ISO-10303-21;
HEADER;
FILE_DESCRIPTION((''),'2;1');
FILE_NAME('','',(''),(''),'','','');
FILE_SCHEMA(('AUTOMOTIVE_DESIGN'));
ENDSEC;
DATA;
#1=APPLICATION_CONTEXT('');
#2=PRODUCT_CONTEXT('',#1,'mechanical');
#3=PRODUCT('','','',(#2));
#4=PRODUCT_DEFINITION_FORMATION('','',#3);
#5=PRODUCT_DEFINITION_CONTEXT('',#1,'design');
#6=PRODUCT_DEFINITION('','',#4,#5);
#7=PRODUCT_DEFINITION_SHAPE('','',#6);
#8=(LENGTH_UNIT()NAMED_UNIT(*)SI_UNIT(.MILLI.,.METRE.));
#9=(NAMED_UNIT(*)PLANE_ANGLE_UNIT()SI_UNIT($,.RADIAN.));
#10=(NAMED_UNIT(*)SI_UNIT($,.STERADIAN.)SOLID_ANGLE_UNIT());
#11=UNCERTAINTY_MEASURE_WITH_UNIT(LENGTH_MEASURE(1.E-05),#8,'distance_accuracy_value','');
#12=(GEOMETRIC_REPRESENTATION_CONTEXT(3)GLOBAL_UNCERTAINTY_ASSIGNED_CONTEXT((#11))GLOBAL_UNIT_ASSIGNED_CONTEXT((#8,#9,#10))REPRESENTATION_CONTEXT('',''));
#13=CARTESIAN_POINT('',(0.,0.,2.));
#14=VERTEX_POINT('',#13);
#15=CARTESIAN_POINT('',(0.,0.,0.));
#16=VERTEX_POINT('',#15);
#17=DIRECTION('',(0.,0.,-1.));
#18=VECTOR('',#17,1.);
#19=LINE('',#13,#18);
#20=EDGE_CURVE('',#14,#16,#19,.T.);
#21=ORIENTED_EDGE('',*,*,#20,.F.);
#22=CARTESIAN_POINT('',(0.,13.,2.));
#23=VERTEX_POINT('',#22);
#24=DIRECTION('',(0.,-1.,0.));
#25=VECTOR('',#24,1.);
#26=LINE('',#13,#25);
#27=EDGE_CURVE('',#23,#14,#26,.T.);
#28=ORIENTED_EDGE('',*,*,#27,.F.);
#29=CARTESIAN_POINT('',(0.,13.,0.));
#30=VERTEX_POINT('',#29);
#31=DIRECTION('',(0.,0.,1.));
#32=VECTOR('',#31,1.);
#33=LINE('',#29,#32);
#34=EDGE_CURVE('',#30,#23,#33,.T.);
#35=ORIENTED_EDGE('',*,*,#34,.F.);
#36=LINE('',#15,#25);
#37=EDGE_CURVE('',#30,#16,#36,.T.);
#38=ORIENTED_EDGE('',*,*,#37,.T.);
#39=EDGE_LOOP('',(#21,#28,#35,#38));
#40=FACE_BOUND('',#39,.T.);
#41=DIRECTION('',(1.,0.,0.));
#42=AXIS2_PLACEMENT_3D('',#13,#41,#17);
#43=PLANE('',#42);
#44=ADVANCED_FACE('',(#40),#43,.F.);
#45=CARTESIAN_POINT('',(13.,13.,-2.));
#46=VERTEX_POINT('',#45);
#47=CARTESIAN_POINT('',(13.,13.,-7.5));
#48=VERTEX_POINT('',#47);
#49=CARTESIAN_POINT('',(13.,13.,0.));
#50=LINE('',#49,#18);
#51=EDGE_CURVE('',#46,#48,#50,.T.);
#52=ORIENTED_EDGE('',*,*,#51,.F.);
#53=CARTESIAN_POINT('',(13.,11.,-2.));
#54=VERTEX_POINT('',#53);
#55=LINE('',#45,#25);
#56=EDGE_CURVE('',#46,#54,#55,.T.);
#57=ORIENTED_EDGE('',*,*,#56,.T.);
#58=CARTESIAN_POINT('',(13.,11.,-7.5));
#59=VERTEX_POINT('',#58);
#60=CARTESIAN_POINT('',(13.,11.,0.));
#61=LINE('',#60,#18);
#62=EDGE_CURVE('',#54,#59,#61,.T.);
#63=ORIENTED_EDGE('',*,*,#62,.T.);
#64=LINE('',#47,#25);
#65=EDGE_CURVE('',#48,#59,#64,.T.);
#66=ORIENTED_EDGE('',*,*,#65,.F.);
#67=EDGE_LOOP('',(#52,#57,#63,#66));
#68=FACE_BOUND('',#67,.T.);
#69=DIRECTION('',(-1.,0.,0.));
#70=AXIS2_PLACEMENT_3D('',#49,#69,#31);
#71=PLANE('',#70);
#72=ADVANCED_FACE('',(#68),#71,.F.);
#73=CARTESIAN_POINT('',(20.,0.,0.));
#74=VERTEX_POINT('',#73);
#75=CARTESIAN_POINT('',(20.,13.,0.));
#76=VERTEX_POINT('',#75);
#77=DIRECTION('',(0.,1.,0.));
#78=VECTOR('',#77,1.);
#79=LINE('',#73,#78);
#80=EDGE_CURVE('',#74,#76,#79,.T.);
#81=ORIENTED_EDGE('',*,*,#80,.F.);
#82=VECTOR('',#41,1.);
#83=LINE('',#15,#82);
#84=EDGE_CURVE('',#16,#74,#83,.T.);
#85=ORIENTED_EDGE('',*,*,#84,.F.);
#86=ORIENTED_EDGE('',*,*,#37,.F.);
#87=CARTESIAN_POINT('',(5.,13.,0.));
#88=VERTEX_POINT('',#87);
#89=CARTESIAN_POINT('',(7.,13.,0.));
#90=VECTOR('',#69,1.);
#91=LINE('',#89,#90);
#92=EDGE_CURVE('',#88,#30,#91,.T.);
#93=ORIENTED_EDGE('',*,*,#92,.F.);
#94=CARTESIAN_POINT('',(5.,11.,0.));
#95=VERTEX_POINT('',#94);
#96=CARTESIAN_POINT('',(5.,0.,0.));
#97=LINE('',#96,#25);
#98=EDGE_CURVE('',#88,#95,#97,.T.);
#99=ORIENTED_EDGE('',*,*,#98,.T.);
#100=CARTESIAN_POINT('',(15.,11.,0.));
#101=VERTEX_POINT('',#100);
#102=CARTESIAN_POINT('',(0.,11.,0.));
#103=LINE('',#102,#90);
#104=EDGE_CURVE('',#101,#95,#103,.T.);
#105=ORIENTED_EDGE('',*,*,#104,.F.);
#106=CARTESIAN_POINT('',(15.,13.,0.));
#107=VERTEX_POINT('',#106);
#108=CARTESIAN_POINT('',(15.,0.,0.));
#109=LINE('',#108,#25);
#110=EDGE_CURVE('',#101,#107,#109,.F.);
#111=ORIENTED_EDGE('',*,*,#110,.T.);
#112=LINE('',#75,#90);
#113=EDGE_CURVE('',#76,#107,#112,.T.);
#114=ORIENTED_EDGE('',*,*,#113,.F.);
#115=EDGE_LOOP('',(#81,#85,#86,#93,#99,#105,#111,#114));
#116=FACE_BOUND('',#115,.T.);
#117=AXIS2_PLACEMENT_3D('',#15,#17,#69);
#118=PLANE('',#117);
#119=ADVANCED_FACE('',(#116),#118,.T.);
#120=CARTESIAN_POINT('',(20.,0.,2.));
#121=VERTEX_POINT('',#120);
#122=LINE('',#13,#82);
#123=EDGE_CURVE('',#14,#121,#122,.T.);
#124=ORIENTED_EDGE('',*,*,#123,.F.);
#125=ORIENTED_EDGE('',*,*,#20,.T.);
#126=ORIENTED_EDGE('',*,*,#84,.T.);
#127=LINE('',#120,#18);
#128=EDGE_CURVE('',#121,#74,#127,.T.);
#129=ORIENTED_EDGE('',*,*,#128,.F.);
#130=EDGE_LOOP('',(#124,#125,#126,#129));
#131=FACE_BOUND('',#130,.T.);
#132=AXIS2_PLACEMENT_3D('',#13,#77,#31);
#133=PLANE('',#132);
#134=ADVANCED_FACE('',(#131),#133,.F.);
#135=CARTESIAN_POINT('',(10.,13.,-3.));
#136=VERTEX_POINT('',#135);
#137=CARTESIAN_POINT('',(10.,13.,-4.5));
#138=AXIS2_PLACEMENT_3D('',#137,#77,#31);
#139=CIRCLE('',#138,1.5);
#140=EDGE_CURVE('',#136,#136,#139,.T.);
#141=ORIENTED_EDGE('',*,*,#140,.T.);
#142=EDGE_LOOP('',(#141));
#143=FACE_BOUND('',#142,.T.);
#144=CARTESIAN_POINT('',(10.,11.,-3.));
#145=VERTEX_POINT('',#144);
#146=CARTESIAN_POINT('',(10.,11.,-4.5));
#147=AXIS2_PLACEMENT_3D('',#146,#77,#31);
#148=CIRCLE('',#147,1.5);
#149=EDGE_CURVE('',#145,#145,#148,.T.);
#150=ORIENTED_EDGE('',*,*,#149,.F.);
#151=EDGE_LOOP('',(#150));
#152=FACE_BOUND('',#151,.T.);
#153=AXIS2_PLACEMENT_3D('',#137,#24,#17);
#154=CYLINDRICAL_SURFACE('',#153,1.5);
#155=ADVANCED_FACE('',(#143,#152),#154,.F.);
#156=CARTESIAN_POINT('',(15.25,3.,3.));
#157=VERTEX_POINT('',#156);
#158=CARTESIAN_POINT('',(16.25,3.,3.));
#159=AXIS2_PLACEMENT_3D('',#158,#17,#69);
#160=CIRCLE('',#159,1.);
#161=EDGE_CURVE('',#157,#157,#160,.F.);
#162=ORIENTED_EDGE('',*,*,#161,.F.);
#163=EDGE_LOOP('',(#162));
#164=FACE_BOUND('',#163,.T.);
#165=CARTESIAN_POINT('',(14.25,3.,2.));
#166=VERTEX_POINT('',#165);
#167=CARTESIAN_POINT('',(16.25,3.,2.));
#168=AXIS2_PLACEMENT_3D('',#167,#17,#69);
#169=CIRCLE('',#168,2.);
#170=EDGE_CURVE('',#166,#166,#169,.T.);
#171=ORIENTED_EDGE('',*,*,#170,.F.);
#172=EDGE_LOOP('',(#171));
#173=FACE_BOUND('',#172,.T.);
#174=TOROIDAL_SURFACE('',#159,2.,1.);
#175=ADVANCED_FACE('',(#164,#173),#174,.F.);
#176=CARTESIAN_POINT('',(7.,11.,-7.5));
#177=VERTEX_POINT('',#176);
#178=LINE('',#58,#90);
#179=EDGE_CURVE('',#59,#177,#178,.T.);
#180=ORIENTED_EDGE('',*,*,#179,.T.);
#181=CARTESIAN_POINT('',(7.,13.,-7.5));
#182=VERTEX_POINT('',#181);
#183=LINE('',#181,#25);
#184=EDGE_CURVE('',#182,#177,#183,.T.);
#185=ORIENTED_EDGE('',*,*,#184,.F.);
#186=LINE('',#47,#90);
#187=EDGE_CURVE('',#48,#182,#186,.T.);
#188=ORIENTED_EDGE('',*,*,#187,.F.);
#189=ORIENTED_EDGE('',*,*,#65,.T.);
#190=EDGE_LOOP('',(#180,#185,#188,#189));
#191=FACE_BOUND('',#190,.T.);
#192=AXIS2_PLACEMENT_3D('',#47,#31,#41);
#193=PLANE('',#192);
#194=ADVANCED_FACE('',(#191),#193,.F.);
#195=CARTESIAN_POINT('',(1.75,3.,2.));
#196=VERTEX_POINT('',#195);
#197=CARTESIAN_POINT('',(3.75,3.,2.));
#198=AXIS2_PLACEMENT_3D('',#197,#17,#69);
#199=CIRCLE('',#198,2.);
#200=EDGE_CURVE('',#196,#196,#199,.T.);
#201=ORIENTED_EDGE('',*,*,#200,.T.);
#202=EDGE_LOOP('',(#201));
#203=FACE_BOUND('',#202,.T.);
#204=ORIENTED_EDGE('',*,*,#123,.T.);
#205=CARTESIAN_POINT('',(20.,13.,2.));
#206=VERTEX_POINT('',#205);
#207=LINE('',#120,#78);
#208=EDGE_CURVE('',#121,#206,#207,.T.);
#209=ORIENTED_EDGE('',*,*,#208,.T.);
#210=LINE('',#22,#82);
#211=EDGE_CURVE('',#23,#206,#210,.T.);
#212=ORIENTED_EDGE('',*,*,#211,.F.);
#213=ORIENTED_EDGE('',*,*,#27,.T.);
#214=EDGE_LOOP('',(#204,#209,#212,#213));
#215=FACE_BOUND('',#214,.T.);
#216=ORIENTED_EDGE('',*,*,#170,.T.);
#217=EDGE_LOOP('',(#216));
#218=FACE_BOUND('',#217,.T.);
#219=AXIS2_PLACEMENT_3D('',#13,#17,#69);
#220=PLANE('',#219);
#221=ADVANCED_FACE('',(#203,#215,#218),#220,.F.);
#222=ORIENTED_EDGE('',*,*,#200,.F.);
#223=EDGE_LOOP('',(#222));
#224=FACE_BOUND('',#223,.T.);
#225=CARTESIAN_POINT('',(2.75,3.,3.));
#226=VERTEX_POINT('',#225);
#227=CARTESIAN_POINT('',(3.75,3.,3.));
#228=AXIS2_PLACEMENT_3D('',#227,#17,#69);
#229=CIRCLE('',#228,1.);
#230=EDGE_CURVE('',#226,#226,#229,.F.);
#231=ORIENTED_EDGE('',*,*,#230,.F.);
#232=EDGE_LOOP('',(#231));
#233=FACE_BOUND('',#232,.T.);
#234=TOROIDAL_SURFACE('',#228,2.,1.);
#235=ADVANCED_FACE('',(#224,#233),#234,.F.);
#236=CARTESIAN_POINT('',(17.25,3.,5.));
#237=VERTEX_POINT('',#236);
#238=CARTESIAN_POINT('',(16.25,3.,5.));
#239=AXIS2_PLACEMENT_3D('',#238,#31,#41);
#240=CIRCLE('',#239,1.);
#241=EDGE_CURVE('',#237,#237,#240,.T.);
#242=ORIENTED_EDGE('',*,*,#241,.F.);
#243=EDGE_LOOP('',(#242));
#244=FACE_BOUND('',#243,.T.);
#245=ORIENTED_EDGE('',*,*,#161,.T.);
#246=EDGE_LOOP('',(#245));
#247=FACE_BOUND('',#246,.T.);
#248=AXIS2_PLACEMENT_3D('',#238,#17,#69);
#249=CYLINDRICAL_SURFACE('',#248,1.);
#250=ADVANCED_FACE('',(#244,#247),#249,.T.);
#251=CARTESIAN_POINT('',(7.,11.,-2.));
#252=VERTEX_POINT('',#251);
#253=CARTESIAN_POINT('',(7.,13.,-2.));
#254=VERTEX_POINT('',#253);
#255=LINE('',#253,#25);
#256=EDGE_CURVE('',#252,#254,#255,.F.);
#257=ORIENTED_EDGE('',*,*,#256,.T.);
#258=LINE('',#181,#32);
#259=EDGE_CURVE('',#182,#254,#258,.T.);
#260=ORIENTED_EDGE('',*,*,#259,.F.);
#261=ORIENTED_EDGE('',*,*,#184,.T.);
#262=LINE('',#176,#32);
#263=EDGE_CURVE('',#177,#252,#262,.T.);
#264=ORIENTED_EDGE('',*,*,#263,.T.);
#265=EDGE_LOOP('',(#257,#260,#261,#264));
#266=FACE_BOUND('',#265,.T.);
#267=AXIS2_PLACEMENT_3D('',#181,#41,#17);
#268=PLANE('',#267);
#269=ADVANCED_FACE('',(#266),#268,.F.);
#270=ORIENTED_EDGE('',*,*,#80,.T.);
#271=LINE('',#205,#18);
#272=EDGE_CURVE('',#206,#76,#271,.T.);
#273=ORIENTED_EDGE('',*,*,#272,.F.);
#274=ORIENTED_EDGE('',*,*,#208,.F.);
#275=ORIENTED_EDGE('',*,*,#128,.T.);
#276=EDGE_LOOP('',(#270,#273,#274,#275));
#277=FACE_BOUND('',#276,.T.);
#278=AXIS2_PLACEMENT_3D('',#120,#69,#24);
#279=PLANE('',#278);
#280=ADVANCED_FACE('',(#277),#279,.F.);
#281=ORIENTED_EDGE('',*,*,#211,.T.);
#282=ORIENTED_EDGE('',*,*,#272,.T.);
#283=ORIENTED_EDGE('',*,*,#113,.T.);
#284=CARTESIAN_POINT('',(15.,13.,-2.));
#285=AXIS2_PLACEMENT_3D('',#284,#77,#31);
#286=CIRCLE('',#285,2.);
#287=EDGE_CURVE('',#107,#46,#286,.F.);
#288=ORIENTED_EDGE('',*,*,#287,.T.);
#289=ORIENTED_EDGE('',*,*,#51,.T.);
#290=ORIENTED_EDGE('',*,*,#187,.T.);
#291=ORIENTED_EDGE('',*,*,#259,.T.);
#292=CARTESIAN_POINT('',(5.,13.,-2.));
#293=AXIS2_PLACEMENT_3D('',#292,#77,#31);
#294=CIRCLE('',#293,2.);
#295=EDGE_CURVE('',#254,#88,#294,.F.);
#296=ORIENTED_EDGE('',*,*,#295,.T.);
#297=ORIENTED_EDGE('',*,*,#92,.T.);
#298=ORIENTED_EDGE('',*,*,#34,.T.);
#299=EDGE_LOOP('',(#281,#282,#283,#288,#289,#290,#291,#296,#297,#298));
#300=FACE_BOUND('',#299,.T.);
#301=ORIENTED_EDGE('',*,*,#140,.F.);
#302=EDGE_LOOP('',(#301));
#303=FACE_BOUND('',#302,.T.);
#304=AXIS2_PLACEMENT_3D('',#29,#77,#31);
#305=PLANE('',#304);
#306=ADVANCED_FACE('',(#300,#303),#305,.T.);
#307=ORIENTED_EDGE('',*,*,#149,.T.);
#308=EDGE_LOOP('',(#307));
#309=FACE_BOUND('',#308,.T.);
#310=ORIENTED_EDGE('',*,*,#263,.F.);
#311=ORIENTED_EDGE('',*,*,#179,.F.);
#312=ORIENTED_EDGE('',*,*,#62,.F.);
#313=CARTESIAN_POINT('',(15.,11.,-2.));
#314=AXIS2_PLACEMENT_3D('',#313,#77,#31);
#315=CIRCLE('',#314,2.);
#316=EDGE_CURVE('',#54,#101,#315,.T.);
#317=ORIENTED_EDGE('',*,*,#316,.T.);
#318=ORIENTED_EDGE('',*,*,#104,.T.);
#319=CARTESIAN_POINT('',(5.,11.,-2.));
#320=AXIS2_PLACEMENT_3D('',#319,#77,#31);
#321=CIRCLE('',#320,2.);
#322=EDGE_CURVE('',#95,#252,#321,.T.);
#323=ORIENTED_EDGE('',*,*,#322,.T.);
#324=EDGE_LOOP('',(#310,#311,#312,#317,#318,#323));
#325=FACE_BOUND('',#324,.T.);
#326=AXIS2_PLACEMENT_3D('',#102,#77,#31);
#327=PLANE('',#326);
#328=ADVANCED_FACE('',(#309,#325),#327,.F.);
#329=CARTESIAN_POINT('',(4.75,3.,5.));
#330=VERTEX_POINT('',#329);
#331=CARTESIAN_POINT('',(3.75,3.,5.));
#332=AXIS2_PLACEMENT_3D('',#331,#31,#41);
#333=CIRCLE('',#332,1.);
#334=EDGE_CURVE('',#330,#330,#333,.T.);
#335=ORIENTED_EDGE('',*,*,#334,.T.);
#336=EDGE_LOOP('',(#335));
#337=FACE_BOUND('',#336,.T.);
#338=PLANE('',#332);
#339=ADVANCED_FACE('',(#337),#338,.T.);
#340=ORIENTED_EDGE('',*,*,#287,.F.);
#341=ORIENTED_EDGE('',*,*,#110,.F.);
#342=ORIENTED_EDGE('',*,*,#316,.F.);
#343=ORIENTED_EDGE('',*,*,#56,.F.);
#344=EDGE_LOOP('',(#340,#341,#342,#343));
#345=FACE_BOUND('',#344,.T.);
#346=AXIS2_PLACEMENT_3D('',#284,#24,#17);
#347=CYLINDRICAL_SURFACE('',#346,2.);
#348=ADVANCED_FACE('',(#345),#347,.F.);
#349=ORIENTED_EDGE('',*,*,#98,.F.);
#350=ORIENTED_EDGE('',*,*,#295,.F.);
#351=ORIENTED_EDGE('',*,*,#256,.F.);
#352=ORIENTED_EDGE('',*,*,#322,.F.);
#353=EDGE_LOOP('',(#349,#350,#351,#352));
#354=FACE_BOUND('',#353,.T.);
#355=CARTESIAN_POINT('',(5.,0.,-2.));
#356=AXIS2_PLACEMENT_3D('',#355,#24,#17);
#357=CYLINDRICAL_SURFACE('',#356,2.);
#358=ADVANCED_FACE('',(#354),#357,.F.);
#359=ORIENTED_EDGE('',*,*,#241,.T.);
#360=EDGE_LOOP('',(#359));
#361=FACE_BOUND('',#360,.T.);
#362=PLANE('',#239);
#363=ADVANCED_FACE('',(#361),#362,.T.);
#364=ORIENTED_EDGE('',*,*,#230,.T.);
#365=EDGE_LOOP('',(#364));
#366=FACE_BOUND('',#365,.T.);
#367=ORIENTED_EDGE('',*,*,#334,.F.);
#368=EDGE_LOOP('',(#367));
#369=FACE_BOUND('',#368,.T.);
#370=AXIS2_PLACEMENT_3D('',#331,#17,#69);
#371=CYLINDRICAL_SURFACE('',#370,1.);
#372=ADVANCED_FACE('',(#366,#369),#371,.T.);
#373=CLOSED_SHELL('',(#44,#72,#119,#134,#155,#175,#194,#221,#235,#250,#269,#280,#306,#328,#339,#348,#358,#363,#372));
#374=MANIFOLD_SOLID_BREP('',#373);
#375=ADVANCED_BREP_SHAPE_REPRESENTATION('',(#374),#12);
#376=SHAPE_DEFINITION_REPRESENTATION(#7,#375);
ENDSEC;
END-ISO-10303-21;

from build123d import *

# Parameters (mm, degrees)
ESQUISSE1_W        = 20
ESQUISSE1_H        = 11
BOSS_EXTRU_1_DEPTH = 2
ESQUISSE2_R        = 1
BOSS_EXTRU_2_DEPTH = 3
CONG_1_R           = 1
ESQUISSE3_R        = 1.5
BOSS_EXTRU_3_DEPTH = 2
CONG_2_R           = 2


with BuildPart() as part:
    # Esquisse1 → Boss.-Extru.1 (new body)
    with BuildSketch(Plane.XY):
        with Locations((10, 5.5)):
            Rectangle(ESQUISSE1_W, ESQUISSE1_H)
    extrude(amount=BOSS_EXTRU_1_DEPTH)

    # Esquisse2 → Boss.-Extru.2 (add)
    with BuildSketch(Plane.XY.offset(2)):
        with Locations(Location((16.25, 3, 0), (0, 0, 180))):
            Circle(ESQUISSE2_R)
        with Locations(Location((3.75, 3, 0), (0, 0, 180))):
            Circle(ESQUISSE2_R)
    extrude(amount=BOSS_EXTRU_2_DEPTH)

    # Congé1
    cong_1_edges = [part.edges().sort_by_distance(p)[0] for p in [
        (17.25, 3, 2),
        (4.75, 3, 2),
    ]]
    fillet(cong_1_edges, radius=CONG_1_R)

    # Esquisse3 → Boss.-Extru.3 (add)
    with BuildSketch(Plane(origin=(0, 11, 0), x_dir=(1, 0, 0), z_dir=(0, 1, 0))):
        Polygon((0, 0), (0, -2), (20, -2), (20, 0), (13, 0), (13, 7.5), (7, 7.5), (7, 0), align=None)
        with Locations(Location((10, 4.5, 0), (0, 0, 270))):
            Circle(ESQUISSE3_R, mode=Mode.SUBTRACT)
    extrude(amount=BOSS_EXTRU_3_DEPTH)

    # Congé2
    cong_2_edges = [part.edges().sort_by_distance(p)[0] for p in [
        (7, 12, 0),
        (13, 12, 0),
    ]]
    fillet(cong_2_edges, radius=CONG_2_R)


solid = part.part
